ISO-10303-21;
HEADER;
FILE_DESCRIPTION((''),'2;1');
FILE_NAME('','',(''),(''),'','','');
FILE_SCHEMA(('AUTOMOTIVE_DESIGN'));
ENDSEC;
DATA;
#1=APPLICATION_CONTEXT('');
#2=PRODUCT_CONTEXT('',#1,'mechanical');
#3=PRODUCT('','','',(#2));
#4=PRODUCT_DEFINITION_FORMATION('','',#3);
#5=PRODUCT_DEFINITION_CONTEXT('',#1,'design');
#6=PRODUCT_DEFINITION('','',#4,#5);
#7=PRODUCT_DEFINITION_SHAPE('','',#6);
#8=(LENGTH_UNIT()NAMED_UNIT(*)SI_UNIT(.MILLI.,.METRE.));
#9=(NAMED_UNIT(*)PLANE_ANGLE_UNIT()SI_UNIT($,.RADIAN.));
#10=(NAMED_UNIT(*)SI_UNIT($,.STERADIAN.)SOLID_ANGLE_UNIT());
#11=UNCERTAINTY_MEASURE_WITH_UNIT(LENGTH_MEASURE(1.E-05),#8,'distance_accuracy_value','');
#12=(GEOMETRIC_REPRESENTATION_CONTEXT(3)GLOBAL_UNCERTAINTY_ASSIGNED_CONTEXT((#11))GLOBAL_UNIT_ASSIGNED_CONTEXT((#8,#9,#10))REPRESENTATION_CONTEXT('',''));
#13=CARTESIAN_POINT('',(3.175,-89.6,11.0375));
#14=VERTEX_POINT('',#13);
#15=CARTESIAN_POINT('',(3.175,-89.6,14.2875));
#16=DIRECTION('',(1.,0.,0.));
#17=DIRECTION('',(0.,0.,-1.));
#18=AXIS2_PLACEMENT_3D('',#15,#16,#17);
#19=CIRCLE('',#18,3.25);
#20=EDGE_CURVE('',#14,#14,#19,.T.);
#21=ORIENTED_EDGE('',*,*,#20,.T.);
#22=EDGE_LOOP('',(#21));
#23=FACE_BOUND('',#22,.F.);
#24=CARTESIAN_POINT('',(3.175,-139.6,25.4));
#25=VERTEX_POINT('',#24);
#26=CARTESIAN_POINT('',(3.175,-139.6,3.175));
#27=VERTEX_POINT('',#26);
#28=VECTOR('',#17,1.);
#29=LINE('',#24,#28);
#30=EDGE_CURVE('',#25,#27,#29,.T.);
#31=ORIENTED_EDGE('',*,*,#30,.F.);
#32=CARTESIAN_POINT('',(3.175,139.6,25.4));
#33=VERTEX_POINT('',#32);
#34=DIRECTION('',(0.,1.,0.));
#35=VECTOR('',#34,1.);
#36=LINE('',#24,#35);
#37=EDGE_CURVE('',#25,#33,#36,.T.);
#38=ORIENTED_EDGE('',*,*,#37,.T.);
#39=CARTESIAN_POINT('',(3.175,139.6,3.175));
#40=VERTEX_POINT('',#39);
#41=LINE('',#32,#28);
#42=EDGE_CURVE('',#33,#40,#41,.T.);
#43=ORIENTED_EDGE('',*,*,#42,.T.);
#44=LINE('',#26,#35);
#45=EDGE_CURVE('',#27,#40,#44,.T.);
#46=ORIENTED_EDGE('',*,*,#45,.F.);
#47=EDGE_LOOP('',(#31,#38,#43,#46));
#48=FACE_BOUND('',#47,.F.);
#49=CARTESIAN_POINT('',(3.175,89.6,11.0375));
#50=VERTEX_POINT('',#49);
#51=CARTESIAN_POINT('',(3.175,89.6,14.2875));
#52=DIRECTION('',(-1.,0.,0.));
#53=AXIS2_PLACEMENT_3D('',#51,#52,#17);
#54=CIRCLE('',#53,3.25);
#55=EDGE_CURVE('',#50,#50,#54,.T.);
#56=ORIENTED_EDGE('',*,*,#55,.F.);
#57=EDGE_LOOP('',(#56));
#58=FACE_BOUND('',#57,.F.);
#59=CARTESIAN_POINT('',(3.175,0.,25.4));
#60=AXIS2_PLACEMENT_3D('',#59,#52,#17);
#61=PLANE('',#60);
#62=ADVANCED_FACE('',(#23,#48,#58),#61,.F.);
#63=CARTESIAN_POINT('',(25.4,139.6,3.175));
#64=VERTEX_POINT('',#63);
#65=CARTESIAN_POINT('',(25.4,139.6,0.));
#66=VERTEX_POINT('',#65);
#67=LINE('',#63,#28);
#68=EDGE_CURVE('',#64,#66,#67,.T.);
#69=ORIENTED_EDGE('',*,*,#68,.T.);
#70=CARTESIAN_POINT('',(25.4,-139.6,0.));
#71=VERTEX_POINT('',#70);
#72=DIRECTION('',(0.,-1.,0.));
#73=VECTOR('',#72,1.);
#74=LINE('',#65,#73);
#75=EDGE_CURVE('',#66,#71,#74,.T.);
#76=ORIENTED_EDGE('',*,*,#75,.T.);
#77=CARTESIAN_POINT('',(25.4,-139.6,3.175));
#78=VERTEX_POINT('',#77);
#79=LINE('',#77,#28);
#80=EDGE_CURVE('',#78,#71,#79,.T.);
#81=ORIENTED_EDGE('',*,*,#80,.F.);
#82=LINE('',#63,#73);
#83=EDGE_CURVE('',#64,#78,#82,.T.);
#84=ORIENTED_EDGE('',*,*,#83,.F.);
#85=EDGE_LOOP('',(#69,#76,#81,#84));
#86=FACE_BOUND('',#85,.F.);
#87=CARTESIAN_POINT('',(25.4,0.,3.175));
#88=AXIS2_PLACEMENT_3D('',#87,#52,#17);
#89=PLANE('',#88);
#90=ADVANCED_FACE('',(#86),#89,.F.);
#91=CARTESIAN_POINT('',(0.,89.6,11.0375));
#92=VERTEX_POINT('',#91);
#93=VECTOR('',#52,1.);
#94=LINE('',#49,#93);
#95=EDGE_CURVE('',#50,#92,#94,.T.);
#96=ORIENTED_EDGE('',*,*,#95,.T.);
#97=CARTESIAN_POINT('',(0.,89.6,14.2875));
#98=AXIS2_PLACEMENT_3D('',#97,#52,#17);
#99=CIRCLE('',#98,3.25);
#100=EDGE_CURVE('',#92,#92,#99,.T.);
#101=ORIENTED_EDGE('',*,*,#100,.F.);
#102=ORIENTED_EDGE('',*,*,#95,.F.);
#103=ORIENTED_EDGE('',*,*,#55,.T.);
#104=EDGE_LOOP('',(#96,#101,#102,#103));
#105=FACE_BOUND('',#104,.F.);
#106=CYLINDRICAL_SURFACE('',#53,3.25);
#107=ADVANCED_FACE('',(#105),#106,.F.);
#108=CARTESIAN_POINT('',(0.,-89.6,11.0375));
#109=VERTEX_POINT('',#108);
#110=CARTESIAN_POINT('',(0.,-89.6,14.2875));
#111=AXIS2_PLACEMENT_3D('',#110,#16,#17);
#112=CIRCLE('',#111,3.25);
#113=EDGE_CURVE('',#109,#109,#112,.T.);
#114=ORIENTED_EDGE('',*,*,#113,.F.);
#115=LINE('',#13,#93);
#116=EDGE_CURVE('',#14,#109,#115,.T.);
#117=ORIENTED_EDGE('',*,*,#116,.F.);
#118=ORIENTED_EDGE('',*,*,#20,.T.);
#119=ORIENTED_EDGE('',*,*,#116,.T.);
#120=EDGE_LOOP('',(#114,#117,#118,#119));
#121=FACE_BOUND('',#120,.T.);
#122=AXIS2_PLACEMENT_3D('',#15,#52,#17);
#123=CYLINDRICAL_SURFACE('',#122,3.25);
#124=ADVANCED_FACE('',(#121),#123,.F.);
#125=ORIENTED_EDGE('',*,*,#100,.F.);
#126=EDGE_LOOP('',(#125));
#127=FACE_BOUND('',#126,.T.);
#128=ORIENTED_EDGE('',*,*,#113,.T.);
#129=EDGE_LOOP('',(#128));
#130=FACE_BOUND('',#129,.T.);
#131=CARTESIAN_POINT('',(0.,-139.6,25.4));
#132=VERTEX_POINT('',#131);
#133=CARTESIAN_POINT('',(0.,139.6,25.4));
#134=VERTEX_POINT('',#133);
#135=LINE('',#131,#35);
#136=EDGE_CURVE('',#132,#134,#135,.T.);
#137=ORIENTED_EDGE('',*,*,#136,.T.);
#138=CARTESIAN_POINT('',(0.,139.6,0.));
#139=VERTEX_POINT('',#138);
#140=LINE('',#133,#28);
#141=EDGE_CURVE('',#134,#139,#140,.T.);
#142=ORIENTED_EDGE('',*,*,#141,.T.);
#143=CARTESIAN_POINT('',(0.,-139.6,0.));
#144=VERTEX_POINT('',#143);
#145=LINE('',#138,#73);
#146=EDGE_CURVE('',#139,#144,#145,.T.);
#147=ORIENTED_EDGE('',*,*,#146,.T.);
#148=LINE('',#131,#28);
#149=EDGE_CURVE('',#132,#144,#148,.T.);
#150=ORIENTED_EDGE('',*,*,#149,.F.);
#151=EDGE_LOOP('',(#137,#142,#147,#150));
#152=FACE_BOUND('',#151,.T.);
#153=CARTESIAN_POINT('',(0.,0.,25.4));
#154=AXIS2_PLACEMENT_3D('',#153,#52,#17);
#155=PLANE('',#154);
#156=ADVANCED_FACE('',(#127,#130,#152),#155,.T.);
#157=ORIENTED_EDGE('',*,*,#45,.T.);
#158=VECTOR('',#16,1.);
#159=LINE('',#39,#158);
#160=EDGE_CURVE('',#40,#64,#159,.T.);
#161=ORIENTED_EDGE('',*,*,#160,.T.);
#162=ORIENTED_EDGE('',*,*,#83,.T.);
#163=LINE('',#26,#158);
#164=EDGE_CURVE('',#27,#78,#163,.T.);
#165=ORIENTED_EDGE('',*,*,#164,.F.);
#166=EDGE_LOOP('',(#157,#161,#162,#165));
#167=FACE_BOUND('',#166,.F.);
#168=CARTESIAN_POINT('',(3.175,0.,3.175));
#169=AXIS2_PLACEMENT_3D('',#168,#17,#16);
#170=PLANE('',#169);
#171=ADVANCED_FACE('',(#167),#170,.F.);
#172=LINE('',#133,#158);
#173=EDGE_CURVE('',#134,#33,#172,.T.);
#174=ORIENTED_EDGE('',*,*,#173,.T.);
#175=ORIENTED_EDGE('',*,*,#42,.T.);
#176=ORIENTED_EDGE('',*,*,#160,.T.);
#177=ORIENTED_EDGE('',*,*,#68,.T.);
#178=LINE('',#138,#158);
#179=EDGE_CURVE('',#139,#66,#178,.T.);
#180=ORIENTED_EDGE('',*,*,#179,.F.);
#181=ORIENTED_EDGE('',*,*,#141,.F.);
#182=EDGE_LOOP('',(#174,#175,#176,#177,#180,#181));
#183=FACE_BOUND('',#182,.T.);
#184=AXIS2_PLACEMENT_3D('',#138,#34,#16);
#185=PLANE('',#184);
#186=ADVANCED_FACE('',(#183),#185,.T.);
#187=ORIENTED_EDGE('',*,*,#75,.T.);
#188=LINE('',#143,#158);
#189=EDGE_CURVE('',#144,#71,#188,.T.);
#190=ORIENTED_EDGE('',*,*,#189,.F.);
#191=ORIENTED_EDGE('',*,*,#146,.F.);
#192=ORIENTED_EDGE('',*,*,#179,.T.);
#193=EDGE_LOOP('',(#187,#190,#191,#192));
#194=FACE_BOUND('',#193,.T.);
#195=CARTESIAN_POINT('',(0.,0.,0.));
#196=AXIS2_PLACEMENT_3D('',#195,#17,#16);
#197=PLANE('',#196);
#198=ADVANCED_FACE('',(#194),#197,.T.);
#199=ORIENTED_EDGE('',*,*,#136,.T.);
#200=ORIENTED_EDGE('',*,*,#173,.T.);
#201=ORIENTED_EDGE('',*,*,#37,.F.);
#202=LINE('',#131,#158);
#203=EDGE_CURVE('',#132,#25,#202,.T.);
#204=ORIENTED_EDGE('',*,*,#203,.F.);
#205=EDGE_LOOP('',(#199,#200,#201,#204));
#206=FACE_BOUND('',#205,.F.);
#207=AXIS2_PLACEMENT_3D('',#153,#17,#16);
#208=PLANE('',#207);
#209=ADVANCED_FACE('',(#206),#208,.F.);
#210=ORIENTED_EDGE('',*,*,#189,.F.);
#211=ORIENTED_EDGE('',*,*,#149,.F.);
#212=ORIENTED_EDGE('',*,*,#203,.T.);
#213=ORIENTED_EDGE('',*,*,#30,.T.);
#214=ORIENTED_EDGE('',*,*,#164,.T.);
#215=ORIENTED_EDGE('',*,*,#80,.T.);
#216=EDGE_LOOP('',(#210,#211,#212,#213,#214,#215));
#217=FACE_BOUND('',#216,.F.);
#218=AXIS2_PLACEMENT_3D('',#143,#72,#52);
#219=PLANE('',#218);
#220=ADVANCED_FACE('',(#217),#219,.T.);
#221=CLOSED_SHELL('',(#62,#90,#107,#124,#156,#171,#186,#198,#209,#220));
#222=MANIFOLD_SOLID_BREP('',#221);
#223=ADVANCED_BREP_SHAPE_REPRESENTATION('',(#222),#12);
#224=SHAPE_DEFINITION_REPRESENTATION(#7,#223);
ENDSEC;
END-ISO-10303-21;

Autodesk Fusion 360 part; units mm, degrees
sketch "Sketch1" plane through (0, 0, 0) normal (0, 1, 0) x (1, 0, 0)
  line L0 (0, -25.4) -> (0, 0)
  line L1 (0, 0) -> (25.4, 0)
  line L2 (12.7, -12.7) -> (11.05, -11.05) construction
  line L3 (3.175, -25.4) -> (3.175, -3.175)
  line L4 (3.175, -3.175) -> (25.4, -3.175)
  line L5 (25.4, -3.175) -> (25.4, 0)
  line L6 (0, -25.4) -> (3.175, -25.4)
  dimension "d1" = 25.4
  dimension "d2" = 25.4
  dimension "d13" = 3.175
extrude "Extrude1" add sketch "Sketch1" along normal blind 139.6
hole "Hole3" at (3.175, 89.6, 14.2875) direction (-1, 0, 0) diameter 6.5 end through all
mirror "Mirror1" about plane through (0, 0, 0) normal (0, 1, 0) of bodies 1 merged
equation "d5 = ( 279.2 / 2 ) * 1 mm"
equation "d27 = ( 22.225 / 2 ) * 1 mm"
